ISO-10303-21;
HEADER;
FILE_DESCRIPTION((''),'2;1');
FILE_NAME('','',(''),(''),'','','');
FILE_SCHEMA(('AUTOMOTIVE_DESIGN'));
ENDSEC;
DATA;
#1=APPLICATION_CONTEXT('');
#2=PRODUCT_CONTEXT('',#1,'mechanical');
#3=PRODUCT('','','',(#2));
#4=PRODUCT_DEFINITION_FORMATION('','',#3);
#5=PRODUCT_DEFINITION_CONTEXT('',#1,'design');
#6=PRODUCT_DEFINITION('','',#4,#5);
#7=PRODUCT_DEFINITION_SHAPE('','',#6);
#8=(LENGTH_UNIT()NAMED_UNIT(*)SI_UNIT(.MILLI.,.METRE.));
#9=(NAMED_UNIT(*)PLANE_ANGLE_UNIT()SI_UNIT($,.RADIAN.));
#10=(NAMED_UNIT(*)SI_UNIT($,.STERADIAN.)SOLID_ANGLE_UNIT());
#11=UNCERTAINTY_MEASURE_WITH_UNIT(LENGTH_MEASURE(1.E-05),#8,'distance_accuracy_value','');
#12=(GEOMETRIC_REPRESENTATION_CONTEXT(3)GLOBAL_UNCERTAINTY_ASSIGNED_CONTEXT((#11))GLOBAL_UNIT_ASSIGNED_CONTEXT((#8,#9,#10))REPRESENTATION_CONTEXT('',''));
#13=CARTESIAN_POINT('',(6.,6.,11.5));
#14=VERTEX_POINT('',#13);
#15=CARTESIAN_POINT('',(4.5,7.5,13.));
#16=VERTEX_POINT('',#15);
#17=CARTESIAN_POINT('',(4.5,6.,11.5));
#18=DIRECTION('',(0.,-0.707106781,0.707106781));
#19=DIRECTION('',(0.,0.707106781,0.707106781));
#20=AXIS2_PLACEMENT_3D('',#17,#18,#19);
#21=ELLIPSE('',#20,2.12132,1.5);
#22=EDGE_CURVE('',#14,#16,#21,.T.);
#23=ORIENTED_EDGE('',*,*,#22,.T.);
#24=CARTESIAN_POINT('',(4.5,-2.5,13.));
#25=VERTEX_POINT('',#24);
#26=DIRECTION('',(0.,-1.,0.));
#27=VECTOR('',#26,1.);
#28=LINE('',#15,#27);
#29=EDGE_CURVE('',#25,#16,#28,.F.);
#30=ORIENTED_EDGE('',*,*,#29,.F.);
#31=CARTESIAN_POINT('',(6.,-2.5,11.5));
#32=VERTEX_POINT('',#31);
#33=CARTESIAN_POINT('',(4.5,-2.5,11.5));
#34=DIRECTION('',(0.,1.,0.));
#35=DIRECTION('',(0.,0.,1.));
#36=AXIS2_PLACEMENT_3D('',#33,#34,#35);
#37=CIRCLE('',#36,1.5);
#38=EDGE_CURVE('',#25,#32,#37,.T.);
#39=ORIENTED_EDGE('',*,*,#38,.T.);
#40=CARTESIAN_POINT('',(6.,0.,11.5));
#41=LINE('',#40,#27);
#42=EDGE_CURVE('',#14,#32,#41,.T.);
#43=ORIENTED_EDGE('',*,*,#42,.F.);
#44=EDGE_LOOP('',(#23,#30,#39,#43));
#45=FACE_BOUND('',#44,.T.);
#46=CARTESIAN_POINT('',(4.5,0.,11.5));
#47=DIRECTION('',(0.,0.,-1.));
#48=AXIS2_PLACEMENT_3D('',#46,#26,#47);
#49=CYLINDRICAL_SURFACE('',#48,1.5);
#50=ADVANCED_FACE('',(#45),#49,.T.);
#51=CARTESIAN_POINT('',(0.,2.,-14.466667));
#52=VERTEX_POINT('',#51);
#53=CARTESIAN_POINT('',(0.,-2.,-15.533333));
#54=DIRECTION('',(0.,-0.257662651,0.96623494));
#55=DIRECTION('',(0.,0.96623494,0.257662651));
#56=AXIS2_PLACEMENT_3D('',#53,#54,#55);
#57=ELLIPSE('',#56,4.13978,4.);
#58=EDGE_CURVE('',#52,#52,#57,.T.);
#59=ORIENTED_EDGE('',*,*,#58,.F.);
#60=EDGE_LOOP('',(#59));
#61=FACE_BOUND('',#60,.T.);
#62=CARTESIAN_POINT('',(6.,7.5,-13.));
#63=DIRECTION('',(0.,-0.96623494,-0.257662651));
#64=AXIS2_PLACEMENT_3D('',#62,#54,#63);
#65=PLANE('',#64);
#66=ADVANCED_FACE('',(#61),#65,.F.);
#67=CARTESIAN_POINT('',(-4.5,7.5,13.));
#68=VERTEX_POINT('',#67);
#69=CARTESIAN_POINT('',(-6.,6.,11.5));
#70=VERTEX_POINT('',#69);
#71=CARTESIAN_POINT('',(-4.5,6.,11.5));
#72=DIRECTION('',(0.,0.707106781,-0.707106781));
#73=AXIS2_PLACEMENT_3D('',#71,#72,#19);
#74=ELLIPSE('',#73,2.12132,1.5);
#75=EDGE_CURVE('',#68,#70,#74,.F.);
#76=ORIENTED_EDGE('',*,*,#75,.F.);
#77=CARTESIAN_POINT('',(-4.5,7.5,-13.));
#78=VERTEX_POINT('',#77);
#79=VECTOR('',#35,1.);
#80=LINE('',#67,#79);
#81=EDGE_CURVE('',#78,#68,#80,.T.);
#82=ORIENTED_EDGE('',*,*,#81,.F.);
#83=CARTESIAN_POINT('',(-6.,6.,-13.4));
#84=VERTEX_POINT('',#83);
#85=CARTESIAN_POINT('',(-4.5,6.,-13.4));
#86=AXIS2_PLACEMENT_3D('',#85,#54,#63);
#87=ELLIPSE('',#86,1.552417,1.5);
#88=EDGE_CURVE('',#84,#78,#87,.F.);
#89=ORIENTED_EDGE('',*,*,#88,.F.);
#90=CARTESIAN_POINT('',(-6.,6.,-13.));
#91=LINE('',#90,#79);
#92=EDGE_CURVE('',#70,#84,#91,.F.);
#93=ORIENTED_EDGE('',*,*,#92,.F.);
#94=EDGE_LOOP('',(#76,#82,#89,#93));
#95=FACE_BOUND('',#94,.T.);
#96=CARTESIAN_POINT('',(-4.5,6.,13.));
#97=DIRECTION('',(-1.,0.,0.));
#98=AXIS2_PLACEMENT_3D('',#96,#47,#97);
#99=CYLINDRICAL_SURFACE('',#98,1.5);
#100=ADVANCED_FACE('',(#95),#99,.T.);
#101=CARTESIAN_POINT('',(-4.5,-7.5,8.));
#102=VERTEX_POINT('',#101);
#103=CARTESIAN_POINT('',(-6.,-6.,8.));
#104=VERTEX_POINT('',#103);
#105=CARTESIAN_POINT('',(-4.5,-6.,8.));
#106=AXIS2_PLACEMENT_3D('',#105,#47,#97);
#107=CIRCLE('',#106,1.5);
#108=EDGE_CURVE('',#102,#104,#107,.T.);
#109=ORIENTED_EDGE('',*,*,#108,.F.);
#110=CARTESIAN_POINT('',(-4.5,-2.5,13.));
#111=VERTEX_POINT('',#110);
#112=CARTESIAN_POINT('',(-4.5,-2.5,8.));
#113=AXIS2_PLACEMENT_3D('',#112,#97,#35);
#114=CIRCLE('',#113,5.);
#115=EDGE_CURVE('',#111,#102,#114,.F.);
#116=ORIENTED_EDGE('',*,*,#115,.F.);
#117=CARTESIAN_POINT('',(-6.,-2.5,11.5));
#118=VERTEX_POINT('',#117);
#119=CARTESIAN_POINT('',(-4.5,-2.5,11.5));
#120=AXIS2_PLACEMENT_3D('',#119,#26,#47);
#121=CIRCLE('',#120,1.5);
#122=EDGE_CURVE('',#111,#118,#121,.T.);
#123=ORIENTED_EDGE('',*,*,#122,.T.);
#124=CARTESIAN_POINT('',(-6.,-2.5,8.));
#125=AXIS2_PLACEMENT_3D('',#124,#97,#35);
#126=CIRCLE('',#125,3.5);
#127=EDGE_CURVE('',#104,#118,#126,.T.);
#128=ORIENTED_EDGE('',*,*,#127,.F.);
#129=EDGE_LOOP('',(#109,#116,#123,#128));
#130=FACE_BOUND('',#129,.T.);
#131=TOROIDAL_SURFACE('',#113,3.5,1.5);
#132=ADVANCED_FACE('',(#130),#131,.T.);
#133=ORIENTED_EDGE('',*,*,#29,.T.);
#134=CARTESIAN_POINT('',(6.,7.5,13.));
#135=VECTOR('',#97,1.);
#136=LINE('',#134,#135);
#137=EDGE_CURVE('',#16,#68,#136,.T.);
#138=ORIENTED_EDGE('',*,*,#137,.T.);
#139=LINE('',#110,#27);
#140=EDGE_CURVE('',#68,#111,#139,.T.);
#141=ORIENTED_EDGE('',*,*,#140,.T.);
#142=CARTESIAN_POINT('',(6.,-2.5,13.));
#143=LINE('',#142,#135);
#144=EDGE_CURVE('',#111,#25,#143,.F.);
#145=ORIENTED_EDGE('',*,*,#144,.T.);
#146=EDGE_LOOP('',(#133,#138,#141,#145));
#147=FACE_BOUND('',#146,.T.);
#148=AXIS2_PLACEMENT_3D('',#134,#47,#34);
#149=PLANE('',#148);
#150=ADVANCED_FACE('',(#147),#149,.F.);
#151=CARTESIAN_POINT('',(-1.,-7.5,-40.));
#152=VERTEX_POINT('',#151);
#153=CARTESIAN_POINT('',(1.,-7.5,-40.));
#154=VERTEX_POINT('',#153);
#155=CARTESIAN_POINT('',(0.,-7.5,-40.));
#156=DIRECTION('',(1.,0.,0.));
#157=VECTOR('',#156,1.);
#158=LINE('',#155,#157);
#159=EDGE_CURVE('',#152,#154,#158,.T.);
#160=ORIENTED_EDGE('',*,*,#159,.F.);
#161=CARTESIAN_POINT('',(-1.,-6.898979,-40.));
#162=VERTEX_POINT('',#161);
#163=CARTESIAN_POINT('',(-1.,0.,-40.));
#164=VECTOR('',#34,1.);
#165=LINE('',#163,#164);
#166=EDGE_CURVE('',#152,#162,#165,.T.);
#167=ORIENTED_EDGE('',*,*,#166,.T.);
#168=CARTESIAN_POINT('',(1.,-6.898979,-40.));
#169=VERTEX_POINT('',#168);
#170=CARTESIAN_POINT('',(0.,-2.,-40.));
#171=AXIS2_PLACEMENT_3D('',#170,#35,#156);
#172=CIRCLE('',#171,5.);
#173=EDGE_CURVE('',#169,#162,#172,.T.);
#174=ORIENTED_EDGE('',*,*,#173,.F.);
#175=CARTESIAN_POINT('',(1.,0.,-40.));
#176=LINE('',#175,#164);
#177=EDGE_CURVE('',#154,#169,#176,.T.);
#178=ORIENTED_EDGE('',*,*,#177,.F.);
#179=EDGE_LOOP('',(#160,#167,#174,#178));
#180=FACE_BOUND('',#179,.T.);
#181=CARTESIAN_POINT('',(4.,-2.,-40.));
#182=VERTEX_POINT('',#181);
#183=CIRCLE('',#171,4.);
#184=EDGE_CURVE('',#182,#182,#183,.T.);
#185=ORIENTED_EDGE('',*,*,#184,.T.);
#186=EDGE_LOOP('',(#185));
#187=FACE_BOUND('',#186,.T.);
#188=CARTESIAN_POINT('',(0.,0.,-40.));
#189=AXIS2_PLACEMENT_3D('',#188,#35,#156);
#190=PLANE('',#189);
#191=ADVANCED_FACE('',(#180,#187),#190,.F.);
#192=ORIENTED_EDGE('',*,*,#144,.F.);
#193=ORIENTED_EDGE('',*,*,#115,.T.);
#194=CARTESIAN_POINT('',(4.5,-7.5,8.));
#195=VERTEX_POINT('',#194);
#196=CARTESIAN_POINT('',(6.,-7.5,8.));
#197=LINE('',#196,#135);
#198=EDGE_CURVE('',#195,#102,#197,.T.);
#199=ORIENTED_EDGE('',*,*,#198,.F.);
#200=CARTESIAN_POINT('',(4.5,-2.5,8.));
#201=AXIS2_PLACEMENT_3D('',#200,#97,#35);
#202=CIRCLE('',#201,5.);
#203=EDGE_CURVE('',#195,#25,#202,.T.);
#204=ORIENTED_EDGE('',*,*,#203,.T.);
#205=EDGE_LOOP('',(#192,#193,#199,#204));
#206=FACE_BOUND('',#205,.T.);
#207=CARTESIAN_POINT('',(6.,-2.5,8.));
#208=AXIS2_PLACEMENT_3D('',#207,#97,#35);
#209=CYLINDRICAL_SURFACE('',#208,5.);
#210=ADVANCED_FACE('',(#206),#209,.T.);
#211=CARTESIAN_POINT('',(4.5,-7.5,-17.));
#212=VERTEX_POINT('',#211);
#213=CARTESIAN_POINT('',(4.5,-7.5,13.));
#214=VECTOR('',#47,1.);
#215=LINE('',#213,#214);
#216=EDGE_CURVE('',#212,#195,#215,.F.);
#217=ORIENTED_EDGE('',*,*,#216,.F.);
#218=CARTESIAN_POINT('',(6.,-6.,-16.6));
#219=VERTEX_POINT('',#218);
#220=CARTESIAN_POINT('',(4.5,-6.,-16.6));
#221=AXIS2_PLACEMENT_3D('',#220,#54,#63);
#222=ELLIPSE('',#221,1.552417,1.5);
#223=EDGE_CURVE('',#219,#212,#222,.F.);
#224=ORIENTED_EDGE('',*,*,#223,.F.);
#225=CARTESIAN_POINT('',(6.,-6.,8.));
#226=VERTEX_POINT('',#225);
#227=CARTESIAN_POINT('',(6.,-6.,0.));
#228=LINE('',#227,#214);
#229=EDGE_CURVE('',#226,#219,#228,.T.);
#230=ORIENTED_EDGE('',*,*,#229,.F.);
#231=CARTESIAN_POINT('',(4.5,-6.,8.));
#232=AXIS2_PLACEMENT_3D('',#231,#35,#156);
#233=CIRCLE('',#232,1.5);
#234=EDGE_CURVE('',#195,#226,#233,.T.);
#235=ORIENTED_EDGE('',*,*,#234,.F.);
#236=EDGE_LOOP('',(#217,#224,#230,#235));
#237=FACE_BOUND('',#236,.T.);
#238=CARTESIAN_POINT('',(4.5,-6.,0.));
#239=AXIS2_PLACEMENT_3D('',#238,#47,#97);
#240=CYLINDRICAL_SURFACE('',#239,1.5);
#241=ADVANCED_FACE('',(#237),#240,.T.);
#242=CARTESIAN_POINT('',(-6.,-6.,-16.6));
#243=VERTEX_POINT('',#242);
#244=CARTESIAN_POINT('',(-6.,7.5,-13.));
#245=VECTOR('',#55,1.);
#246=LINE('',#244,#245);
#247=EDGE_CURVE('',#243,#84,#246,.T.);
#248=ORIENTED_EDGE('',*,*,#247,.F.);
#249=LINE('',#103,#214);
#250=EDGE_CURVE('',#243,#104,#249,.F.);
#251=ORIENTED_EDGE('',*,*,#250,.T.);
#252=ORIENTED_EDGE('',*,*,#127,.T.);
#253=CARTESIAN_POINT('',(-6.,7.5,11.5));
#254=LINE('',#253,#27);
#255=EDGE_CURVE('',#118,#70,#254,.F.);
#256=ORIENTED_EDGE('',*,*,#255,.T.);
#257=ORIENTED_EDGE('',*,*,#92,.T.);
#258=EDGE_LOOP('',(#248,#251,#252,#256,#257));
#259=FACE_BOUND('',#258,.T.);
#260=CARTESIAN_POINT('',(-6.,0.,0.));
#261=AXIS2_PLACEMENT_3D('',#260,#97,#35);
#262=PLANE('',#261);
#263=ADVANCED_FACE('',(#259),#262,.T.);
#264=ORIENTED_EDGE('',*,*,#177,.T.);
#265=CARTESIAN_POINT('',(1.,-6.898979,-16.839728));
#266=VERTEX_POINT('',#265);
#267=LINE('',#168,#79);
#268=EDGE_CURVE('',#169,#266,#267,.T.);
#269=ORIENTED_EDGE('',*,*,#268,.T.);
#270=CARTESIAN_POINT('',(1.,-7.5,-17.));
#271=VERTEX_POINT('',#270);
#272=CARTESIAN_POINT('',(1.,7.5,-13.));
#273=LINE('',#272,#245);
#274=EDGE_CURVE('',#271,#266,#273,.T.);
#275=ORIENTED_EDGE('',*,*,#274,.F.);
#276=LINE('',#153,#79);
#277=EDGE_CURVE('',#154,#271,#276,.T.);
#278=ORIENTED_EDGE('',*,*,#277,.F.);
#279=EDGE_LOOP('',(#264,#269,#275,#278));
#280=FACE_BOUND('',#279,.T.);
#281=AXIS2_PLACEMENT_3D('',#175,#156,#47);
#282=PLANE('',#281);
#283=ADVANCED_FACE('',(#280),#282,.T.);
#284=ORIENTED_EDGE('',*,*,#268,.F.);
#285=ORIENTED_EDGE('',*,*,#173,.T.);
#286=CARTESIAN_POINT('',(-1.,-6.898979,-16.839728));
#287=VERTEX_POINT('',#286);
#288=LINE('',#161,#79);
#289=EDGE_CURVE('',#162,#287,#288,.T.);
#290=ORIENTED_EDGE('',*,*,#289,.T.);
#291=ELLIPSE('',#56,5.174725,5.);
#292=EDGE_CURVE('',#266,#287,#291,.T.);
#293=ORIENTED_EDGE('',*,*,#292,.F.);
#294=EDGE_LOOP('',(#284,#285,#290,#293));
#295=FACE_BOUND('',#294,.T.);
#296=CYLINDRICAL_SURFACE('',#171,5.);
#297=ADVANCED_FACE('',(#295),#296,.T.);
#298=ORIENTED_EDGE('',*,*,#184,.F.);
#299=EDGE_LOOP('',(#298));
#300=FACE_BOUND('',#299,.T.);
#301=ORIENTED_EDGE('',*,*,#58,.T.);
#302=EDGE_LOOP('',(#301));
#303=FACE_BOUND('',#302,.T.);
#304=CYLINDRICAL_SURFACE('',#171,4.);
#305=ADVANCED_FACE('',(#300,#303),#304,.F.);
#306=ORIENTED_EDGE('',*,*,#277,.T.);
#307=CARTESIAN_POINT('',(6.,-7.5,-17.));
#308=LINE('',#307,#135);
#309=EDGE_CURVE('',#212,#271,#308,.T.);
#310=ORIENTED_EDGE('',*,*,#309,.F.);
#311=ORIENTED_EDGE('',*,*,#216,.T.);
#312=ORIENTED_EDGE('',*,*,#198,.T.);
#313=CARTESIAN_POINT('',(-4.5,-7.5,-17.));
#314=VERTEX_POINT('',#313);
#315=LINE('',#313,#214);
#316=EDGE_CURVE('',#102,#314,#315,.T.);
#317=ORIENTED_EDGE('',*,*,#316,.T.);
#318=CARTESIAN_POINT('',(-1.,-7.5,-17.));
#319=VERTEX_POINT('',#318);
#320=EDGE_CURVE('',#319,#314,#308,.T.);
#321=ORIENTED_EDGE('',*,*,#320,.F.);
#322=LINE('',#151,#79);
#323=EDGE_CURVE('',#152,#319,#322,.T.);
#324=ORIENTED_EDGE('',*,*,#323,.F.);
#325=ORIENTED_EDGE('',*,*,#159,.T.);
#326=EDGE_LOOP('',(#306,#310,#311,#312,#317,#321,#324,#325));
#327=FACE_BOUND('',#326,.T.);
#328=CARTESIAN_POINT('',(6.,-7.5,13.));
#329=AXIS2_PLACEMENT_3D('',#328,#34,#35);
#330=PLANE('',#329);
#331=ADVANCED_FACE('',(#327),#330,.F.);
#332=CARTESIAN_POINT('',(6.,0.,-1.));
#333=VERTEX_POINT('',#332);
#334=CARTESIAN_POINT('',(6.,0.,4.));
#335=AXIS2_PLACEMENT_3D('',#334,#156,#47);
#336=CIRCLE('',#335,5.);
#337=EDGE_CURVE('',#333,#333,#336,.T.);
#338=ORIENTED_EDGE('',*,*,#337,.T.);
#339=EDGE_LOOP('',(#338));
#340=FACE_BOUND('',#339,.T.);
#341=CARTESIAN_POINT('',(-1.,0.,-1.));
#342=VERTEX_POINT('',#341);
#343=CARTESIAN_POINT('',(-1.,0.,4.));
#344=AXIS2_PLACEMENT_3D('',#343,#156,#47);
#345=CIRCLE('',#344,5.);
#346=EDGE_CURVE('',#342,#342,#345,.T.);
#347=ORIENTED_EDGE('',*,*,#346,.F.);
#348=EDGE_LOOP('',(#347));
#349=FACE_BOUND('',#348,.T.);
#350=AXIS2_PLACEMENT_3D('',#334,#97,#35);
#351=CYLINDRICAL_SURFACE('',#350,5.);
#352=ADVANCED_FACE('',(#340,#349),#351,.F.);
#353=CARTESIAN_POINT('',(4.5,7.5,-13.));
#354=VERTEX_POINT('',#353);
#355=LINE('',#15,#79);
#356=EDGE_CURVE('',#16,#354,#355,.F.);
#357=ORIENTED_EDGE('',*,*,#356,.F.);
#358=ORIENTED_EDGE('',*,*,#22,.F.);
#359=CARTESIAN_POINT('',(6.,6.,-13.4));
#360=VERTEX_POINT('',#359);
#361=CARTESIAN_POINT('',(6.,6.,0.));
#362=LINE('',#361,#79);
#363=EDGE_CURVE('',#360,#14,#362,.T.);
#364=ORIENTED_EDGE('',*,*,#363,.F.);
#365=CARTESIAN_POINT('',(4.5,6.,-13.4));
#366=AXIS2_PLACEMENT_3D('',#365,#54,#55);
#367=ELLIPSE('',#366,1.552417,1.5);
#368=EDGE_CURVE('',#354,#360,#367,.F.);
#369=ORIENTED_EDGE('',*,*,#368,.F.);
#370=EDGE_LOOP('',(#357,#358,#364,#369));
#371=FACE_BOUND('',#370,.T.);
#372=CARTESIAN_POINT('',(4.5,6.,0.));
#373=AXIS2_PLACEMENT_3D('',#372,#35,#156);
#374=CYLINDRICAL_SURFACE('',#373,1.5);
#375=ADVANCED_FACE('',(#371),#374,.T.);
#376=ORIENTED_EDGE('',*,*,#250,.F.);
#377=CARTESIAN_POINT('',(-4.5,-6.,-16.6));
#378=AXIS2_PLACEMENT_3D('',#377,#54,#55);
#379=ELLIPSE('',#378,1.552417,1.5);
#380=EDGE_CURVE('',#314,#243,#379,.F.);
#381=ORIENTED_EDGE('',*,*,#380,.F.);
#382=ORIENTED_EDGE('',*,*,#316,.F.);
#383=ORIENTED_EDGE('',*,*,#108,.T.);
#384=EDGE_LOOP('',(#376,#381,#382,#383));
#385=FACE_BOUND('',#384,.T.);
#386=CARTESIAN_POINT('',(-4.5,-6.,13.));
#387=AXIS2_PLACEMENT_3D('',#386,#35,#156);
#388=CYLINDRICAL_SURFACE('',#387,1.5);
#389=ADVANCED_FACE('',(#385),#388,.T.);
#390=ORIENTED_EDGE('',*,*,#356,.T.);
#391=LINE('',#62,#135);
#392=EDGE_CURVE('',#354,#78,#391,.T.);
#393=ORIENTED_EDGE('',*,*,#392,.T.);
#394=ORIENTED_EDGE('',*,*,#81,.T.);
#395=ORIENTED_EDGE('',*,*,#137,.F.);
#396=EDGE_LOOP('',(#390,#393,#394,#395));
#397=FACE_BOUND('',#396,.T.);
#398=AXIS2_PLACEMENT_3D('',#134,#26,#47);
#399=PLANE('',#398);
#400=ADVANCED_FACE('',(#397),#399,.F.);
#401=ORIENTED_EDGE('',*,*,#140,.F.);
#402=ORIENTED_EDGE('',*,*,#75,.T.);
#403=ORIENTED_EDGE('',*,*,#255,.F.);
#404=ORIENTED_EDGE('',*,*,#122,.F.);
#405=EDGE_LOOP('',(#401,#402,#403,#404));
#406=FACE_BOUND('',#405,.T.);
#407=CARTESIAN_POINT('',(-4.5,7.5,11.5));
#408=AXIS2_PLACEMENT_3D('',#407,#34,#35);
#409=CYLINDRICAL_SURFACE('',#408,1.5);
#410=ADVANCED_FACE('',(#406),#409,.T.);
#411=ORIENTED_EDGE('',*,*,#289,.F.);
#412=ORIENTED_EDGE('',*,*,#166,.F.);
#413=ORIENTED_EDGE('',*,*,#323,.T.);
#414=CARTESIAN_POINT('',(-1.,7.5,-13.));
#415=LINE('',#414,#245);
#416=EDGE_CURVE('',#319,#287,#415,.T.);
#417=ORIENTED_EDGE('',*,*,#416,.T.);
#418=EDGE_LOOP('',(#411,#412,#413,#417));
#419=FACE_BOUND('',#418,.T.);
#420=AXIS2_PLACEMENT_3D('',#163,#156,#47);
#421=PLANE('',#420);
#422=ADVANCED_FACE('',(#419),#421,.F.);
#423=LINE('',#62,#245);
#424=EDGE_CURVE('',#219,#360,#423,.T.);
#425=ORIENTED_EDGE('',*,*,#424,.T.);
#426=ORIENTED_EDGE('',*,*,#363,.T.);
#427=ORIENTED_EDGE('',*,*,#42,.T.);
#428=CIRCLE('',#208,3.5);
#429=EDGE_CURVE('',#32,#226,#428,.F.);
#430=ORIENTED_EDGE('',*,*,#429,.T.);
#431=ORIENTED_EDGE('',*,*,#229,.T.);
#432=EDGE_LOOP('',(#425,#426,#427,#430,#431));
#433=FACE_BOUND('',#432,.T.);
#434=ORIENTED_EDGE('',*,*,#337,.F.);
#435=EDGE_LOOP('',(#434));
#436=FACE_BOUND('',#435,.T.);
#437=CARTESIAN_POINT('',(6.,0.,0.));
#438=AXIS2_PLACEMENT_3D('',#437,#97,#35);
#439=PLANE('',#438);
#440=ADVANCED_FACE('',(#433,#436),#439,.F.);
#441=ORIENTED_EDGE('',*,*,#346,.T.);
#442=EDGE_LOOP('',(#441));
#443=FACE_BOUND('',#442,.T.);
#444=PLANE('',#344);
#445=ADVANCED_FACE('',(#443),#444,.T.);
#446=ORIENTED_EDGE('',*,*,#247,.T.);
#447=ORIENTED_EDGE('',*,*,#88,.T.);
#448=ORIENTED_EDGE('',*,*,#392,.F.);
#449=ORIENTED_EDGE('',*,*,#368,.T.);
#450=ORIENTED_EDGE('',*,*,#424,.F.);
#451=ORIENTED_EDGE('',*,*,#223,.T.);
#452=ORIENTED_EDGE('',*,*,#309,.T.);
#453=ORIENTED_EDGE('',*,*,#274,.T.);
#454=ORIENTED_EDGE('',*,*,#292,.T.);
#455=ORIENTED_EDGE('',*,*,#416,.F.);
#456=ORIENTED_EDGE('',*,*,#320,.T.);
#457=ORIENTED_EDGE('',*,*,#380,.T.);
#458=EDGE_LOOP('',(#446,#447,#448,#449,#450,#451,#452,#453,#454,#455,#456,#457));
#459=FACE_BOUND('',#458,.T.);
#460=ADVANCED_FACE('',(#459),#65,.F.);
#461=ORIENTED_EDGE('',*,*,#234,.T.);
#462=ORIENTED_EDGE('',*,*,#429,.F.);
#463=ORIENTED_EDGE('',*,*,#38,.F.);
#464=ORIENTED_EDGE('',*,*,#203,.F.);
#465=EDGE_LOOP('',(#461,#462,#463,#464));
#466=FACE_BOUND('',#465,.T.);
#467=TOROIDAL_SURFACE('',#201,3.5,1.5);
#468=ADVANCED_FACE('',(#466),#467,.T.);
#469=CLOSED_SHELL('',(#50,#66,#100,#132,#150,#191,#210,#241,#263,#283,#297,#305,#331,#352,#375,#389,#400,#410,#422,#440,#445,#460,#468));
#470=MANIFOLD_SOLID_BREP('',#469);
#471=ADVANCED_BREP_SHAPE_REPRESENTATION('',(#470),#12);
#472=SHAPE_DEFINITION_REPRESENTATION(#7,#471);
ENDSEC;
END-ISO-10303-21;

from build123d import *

# Parameters (mm, degrees)
BOSS_EXTRUDE1_DEPTH = 6
SKETCH2_R           = 4
BOSS_EXTRUDE2_DEPTH = 40
CUT_EXTRUDE1_START  = -1
SKETCH3_R           = 5
CUT_EXTRUDE1_DEPTH  = 8
FILLET1_R           = 5
FILLET2_R           = 1.5


with BuildPart() as part:
    # Sketch1 → Boss-Extrude1 (new body, symmetric)
    with BuildSketch(Plane(origin=(0, 0, 0), x_dir=(0, 0, -1), z_dir=(1, 0, 0))):
        Polygon((13, 7.5), (17, -7.5), (-13, -7.5), (-13, 7.5), align=None)
    extrude(amount=BOSS_EXTRUDE1_DEPTH, both=True)

    # Sketch2 → Boss-Extrude2 (add)
    with BuildSketch(Plane.XY):
        with BuildLine():
            Line((-1, -7.5), (1, -7.5))
            Line((1, -7.5), (1, -6.898979486))
            ThreePointArc((1, -6.898979486), (0, 3), (-1, -6.898979486))
            Line((-1, -6.898979486), (-1, -7.5))
        make_face()
        with Locations((0, -2)):
            Circle(SKETCH2_R, mode=Mode.SUBTRACT)
    extrude(amount=-BOSS_EXTRUDE2_DEPTH)

    # Sketch3 → Cut-Extrude1 (cut, through all)
    with BuildSketch(Plane(origin=(0, 0, 0), x_dir=(0, 0, -1), z_dir=(1, 0, 0)).offset(CUT_EXTRUDE1_START)):
        with Locations((-4, 0)):
            Circle(SKETCH3_R)
    extrude(amount=CUT_EXTRUDE1_DEPTH, mode=Mode.SUBTRACT)

    # Fillet1
    fillet1_edges = [part.edges().sort_by_distance(p)[0] for p in [
        (0, -7.5, 13),
    ]]
    fillet(fillet1_edges, radius=FILLET1_R)

    # Fillet2
    fillet2_edges = [part.edges().sort_by_distance(p)[0] for p in [
        (6, -7.5, -4.5),
        (-6, -7.5, -4.5),
        (-6, -6.035533906, 11.535533906),
        (6, -6.035533906, 11.535533906),
        (6, 7.5, 0),
        (-6, 2.5, 13),
        (-6, 7.5, 0),
        (6, 2.5, 13),
    ]]
    fillet(fillet2_edges, radius=FILLET2_R)


solid = part.part
